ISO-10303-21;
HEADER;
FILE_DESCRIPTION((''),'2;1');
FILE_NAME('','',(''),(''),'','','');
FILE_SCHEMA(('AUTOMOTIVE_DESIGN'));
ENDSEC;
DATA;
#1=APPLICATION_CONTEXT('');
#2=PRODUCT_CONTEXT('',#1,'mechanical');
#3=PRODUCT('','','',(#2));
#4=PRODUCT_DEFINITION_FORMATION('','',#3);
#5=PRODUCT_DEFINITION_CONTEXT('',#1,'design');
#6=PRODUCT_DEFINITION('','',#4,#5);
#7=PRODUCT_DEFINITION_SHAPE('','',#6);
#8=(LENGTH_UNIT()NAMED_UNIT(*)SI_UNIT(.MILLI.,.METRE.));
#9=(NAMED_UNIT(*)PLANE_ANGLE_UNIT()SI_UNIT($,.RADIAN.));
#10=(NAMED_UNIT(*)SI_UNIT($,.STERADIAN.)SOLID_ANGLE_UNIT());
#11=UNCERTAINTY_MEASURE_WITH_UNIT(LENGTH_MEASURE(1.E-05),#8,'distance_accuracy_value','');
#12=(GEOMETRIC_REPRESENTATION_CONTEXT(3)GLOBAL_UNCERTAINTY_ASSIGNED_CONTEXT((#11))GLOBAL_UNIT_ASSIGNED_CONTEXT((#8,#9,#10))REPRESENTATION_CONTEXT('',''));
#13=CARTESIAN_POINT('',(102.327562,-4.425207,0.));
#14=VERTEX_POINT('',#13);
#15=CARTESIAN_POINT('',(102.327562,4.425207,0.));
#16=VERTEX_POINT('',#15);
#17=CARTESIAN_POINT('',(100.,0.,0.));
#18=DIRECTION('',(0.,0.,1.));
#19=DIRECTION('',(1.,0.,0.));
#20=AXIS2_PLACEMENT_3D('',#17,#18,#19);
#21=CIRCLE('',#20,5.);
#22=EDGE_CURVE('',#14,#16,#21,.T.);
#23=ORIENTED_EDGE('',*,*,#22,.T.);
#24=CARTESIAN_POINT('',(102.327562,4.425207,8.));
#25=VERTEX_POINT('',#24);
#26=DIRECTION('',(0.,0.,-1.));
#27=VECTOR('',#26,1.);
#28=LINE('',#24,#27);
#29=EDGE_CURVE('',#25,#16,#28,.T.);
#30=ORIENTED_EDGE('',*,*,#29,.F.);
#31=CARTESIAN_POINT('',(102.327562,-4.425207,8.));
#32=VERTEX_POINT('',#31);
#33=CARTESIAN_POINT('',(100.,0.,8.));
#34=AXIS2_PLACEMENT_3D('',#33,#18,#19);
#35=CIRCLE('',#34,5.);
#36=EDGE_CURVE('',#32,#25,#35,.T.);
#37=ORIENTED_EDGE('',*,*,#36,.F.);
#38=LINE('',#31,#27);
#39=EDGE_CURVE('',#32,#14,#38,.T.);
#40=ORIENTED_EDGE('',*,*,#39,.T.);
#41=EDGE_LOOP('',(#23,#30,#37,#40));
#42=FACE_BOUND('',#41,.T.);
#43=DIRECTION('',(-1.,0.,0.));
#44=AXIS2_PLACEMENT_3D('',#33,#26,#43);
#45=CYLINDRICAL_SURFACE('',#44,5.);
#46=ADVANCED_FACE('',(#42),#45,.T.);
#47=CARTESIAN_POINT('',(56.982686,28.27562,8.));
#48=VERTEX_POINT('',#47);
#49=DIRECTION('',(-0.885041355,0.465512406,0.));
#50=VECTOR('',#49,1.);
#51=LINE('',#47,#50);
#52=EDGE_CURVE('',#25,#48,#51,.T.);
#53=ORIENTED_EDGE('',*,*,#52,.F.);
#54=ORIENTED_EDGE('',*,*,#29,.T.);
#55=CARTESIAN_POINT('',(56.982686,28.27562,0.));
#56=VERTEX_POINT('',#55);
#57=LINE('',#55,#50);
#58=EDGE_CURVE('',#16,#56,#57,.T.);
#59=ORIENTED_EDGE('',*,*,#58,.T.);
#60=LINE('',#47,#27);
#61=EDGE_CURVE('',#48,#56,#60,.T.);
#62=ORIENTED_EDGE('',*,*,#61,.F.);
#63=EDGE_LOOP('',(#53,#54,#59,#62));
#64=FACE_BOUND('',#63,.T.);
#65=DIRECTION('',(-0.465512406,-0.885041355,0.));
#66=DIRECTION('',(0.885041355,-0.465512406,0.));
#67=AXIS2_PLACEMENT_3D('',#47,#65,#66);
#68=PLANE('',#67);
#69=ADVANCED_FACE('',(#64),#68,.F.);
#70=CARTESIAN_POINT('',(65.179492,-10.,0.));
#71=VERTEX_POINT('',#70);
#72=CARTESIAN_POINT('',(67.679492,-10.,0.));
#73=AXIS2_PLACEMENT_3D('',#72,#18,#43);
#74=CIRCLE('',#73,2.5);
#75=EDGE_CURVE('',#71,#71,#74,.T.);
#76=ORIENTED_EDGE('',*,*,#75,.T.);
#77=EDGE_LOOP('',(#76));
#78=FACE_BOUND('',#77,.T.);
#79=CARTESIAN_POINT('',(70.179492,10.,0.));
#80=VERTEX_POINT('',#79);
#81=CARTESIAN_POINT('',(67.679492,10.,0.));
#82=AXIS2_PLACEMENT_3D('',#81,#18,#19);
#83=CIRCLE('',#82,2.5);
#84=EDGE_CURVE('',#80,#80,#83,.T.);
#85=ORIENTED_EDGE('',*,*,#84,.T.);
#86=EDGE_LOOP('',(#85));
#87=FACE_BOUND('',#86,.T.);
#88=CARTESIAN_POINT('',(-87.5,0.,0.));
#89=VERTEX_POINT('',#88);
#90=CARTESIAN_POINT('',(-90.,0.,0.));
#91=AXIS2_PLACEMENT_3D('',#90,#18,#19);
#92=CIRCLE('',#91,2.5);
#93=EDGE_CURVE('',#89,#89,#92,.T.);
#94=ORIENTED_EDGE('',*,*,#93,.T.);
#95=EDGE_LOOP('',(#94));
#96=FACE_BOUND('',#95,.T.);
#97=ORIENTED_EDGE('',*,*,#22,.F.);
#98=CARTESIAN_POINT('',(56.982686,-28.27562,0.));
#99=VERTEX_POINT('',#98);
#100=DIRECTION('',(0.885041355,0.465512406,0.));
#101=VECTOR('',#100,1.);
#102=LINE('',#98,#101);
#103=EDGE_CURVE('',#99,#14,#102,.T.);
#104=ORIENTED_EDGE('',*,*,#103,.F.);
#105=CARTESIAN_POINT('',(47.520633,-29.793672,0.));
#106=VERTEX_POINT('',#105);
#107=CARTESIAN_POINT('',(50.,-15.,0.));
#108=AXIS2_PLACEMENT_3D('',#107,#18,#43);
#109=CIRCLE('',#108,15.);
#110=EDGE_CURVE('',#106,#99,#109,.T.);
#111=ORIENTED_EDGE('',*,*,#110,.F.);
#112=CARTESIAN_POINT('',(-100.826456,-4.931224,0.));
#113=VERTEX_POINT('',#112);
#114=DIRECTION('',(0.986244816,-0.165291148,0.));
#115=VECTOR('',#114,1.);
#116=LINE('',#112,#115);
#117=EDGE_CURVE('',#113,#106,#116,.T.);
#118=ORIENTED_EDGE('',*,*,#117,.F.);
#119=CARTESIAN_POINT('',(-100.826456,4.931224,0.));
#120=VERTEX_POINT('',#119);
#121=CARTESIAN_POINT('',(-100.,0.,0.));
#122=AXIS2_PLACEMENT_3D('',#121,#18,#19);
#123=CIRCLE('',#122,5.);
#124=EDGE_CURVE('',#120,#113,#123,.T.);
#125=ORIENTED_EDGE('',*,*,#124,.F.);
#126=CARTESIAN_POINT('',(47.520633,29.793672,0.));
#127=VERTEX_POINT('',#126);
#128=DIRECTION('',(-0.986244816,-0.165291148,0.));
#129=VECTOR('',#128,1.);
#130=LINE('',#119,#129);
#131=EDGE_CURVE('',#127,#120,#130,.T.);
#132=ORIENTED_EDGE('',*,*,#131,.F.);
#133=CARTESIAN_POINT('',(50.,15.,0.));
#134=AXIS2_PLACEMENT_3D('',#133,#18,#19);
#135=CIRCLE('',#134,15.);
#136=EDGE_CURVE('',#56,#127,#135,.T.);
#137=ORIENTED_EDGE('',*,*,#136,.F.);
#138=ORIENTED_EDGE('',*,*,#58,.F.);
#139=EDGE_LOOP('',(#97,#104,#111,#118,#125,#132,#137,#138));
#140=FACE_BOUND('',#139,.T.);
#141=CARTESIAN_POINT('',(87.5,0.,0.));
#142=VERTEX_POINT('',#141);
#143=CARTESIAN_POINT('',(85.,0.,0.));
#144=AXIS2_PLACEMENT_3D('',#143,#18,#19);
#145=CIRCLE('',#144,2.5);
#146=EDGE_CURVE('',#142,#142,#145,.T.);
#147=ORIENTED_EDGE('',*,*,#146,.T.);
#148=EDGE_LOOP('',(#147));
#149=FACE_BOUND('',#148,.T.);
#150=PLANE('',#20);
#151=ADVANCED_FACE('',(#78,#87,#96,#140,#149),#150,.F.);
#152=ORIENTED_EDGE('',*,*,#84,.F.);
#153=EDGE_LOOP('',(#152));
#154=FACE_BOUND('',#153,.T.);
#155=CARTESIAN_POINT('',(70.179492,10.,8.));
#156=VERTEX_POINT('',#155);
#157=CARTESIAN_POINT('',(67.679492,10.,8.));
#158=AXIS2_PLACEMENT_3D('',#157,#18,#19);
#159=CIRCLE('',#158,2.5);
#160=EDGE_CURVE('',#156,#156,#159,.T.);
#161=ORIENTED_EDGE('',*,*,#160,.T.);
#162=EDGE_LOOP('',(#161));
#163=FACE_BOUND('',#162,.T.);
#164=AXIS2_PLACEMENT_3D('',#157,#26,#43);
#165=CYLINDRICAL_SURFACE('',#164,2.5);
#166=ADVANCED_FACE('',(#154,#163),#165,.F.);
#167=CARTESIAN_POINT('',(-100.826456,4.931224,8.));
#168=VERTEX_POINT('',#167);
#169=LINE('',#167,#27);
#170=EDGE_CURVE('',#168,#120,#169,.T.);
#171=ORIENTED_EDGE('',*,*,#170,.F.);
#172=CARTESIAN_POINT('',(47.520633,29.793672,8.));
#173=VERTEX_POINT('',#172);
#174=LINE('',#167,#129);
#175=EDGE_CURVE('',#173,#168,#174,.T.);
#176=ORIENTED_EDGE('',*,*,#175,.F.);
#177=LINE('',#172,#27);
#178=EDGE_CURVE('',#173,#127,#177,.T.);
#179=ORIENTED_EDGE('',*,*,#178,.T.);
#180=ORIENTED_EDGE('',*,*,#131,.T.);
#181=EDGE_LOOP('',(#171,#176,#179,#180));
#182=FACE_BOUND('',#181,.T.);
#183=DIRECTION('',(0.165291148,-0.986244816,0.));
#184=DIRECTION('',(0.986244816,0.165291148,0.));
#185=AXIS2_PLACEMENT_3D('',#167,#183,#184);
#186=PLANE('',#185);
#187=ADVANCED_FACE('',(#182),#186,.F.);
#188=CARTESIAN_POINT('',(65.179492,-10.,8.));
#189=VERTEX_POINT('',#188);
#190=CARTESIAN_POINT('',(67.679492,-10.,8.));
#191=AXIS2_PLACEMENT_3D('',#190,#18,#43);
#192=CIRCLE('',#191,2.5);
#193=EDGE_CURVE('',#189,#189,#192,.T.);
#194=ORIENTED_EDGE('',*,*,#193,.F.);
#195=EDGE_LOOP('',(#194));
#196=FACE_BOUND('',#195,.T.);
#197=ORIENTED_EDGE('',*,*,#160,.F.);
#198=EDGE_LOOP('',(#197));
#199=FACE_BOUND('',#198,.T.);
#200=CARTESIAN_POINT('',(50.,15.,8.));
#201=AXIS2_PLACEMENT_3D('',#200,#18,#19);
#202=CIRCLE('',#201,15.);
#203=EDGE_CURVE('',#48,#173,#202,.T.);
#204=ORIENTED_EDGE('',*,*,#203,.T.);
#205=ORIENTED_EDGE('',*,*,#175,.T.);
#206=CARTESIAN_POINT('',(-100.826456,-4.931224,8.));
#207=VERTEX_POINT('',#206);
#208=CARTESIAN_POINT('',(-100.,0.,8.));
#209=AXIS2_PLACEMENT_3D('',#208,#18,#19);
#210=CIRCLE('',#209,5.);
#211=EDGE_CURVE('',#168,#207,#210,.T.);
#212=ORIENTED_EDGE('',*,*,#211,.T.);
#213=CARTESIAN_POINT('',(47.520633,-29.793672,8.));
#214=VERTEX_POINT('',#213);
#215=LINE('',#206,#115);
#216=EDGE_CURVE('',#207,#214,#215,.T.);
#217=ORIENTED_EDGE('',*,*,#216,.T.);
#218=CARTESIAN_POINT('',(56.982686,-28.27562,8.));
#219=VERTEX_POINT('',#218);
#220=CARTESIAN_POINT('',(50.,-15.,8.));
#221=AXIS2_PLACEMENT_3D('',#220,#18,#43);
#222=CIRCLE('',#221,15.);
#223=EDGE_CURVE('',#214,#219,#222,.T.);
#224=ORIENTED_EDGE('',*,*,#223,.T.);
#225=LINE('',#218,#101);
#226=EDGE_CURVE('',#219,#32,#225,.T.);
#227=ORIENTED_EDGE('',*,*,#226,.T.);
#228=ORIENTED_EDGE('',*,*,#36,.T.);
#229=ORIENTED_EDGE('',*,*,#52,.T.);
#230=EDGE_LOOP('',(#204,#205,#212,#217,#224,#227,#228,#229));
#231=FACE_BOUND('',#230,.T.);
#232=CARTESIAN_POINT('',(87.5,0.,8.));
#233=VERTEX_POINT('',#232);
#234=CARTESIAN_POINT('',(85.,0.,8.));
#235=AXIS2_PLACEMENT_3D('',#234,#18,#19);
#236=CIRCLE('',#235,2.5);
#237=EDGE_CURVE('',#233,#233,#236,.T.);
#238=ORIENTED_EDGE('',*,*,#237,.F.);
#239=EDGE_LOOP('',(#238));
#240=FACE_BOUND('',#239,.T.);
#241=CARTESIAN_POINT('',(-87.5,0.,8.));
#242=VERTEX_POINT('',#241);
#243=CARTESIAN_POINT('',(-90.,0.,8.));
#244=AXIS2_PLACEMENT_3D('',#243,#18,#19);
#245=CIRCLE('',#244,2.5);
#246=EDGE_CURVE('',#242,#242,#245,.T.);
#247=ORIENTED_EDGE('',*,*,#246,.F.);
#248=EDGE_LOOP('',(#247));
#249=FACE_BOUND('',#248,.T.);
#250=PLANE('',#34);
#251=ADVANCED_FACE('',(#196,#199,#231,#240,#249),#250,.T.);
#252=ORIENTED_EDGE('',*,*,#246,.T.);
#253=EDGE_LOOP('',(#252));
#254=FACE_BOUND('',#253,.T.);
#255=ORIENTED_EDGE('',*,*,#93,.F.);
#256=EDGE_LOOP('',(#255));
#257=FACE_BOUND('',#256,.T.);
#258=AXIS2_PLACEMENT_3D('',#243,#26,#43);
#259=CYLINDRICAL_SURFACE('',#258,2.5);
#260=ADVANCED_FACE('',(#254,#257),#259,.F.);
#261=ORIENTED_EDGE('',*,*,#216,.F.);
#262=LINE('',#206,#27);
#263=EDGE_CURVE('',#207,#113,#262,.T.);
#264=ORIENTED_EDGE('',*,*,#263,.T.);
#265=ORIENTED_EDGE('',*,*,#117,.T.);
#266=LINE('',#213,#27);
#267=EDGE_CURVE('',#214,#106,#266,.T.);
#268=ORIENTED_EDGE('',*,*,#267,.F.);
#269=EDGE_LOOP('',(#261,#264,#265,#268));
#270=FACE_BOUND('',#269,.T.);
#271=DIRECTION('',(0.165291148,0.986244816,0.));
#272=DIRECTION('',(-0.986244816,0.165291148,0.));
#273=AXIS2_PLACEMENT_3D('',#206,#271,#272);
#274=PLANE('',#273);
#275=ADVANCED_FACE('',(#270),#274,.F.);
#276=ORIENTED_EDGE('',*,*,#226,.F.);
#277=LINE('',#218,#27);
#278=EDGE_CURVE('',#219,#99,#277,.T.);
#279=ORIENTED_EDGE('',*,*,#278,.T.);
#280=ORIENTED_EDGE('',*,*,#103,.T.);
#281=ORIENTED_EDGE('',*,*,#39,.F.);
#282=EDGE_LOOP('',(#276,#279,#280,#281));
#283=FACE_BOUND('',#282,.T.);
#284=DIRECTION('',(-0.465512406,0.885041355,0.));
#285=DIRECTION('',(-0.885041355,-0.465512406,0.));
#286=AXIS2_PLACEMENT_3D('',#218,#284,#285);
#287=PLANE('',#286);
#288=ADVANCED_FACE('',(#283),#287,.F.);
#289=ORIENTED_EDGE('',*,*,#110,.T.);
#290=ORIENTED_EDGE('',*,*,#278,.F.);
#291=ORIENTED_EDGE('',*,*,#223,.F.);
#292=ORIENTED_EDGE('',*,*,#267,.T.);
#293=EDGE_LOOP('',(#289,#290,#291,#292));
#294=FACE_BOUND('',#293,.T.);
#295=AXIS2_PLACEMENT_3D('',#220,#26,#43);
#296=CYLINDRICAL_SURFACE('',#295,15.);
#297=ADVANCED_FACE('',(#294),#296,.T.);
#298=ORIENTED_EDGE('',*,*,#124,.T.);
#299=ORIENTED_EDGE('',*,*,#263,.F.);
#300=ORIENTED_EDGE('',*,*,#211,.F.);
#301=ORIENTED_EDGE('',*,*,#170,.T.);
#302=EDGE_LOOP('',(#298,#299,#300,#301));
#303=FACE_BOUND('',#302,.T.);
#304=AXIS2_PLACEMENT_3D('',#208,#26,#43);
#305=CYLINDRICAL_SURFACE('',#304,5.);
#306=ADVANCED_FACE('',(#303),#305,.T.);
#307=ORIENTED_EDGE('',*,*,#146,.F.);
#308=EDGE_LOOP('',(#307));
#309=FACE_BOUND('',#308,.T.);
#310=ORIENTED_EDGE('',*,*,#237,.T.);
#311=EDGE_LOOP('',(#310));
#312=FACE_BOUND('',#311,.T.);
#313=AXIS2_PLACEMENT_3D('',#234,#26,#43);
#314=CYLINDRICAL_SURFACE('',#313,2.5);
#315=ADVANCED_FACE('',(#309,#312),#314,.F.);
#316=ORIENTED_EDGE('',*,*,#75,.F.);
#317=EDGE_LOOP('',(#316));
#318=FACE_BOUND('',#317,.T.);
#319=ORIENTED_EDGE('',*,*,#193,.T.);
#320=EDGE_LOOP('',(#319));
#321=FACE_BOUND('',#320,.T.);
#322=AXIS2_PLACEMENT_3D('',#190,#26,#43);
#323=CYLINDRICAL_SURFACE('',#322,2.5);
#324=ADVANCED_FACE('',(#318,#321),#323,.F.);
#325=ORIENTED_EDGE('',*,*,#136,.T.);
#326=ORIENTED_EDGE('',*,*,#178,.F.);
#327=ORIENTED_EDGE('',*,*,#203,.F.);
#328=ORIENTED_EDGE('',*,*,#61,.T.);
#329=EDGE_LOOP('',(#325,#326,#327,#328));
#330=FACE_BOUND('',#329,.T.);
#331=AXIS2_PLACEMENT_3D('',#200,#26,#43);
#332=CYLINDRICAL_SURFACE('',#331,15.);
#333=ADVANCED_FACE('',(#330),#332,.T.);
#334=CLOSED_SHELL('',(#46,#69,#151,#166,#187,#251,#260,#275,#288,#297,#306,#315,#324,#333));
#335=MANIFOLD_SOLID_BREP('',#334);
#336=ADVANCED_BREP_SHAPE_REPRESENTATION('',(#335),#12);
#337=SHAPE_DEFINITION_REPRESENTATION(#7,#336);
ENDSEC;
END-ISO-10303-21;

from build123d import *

# Parameters (mm, degrees)
SKETCH_1_R      = 2.5
EXTRUDE_1_DEPTH = 8


with BuildPart() as part:
    # 草图1 → 凸台-拉伸1 (new body)
    with BuildSketch(Plane.XY):
        with BuildLine():
            Line((-100.826455741, 4.931224078), (47.520632777, 29.793672234))
            ThreePointArc((47.520632777, 29.793672234), (52.376150378, 29.81060125), (56.982686096, 28.27562032))
            Line((56.982686096, 28.27562032), (102.327562032, 4.425206773))
            ThreePointArc((102.327562032, 4.425206773), (105, 0), (102.327562032, -4.425206773))
            Line((102.327562032, -4.425206773), (56.982686096, -28.27562032))
            ThreePointArc((56.982686096, -28.27562032), (52.376150378, -29.81060125), (47.520632777, -29.793672234))
            Line((47.520632777, -29.793672234), (-100.826455741, -4.931224078))
            ThreePointArc((-100.826455741, -4.931224078), (-105, 0), (-100.826455741, 4.931224078))
        make_face()
        with Locations((85, 0)):
            Circle(SKETCH_1_R, mode=Mode.SUBTRACT)
        with Locations((67.679491924, 10)):
            Circle(SKETCH_1_R, mode=Mode.SUBTRACT)
        with Locations(Location((67.679491924, -10, 0), (0, 0, 180))):
            Circle(SKETCH_1_R, mode=Mode.SUBTRACT)
        with Locations((-90, 0)):
            Circle(SKETCH_1_R, mode=Mode.SUBTRACT)
    extrude(amount=EXTRUDE_1_DEPTH)


solid = part.part
